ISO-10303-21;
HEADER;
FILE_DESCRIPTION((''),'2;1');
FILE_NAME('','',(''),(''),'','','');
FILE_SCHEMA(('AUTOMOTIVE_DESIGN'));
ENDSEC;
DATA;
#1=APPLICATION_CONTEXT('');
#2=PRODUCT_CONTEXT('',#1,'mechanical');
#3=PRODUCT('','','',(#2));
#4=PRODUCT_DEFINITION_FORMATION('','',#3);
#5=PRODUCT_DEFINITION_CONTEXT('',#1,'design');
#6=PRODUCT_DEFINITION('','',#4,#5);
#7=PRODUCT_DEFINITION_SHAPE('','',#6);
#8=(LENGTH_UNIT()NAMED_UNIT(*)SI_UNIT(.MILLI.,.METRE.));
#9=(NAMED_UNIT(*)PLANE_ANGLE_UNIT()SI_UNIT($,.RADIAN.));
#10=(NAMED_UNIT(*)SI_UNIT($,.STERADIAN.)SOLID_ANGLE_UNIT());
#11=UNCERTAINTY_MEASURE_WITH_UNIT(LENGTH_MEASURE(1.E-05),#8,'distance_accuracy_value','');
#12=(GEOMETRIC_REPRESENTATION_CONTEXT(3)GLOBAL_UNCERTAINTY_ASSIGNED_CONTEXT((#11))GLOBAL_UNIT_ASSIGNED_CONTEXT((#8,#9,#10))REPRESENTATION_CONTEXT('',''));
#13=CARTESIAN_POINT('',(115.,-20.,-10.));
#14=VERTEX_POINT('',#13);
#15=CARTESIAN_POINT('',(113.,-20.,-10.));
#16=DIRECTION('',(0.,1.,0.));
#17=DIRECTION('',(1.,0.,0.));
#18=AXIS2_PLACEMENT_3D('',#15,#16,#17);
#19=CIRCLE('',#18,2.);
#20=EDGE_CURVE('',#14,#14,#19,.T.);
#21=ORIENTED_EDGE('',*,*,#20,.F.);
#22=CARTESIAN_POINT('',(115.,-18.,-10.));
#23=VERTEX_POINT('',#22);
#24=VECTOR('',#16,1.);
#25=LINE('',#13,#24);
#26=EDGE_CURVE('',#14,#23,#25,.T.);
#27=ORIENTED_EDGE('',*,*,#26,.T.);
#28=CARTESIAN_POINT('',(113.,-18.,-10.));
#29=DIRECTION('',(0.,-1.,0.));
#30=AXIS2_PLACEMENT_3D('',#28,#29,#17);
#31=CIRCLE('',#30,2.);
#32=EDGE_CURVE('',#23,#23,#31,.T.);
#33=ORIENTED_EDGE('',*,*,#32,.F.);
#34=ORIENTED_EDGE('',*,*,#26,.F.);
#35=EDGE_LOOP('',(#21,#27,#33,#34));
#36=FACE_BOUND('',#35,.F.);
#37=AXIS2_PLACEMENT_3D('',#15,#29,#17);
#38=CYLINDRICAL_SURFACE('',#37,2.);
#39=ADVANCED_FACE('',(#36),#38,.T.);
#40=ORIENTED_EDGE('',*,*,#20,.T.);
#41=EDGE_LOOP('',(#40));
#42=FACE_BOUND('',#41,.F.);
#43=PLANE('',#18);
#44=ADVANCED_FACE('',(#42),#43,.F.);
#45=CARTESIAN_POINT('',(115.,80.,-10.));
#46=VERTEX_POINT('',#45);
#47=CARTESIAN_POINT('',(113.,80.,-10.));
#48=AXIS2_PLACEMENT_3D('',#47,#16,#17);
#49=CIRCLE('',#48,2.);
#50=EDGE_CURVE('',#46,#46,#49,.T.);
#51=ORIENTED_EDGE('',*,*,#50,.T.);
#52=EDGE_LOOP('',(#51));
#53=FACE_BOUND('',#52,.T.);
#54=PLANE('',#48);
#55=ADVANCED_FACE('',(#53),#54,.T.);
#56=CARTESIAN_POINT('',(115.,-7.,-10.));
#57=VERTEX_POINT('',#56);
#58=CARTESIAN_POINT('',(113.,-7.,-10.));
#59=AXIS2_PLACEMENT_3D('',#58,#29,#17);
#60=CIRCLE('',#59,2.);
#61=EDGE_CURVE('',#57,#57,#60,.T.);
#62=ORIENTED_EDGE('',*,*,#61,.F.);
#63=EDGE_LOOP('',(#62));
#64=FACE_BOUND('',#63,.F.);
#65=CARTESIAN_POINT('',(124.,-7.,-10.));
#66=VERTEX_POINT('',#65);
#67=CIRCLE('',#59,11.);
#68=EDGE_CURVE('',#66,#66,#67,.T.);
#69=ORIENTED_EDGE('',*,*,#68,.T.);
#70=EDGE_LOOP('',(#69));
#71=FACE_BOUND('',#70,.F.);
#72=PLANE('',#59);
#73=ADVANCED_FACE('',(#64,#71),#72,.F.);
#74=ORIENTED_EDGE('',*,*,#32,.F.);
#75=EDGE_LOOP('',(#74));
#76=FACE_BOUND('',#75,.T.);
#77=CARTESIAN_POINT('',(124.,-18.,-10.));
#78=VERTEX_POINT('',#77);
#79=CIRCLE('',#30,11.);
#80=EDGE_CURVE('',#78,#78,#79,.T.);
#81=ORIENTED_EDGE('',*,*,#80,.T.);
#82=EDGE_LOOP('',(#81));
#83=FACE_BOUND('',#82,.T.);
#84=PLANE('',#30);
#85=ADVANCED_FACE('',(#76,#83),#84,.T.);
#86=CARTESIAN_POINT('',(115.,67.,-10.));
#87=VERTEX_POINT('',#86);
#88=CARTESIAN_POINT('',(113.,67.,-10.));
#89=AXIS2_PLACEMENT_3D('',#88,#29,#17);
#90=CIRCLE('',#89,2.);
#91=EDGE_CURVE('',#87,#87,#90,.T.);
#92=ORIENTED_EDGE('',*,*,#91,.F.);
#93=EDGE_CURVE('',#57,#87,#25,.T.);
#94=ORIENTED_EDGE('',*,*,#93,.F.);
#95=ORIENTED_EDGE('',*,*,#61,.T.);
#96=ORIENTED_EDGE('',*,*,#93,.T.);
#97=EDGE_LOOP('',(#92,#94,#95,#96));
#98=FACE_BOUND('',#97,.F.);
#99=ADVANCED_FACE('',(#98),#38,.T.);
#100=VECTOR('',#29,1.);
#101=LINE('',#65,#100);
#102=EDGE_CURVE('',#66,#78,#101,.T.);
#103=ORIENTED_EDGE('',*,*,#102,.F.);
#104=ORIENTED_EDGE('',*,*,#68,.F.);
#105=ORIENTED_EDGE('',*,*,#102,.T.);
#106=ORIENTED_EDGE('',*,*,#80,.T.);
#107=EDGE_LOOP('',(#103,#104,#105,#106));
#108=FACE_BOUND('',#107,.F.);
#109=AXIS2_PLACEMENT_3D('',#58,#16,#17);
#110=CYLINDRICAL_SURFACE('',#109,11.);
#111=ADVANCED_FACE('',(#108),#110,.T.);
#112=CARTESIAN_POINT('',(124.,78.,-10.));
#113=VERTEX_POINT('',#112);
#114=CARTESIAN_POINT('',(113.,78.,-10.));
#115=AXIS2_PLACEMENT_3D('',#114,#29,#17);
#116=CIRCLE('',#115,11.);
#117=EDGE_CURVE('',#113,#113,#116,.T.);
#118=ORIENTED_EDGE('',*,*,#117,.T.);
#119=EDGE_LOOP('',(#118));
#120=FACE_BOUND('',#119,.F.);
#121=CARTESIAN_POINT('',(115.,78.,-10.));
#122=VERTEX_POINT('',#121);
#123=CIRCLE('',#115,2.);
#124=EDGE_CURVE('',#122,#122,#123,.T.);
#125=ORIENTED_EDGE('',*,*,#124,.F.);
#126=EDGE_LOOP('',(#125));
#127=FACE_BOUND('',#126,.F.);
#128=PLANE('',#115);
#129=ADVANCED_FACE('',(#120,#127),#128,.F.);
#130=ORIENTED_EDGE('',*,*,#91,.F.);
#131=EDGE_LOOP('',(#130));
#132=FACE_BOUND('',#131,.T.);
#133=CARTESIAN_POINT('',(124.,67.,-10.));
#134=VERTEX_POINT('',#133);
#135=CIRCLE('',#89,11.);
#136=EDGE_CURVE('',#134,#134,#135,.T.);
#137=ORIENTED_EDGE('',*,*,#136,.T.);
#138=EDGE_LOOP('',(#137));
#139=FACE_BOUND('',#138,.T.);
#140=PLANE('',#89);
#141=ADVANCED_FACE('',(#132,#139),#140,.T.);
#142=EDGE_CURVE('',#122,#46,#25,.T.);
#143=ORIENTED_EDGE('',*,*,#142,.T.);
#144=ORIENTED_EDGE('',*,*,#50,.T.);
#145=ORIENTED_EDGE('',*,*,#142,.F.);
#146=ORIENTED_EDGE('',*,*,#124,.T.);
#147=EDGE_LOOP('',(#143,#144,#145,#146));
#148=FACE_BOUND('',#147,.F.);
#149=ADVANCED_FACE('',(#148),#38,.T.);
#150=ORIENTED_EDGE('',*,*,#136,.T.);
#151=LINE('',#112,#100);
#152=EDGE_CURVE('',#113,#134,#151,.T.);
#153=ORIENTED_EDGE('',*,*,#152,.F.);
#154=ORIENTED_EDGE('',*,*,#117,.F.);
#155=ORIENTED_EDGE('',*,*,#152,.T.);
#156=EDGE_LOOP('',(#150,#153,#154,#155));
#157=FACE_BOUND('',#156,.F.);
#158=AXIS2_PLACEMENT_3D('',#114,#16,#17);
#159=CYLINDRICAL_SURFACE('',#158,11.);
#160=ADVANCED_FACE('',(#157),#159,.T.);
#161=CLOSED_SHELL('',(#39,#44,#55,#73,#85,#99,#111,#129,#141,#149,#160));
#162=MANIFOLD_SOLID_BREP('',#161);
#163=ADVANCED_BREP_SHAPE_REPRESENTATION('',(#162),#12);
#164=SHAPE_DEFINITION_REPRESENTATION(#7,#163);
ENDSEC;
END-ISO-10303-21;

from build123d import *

# Parameters (mm, degrees)
CYLINDER002001001002_R             = 11
CYLINDER002001001002_DEPTH         = 11
CYLINDER002001001002_ROLL_ANGLE    = 90
CYLINDER002001001002001_R          = 11
CYLINDER002001001002001_DEPTH      = 11
CYLINDER002001001002001_ROLL_ANGLE = 90
CYLINDER002001002001_R             = 2
CYLINDER002001002001_DEPTH         = 100
CYLINDER002001002001_ROLL_ANGLE    = -90


with BuildPart() as wheel006:
    # Cylinder002001001002 → Cylinder002001001002 (new body)
    with BuildSketch(Plane.XY):
        Circle(CYLINDER002001001002_R)
    extrude(amount=CYLINDER002001001002_DEPTH)


with BuildPart() as wheel006_1:
    # Cylinder002001001002 roll: moved
    add(wheel006.part.rotate(Axis((0, 0, 0), (1, 0, 0)), CYLINDER002001001002_ROLL_ANGLE))


with BuildPart() as wheel006_2:
    # Cylinder002001001002 placement: moved
    add(wheel006_1.part.moved(Location((20, 78, 14))))


with BuildPart() as wheel007:
    # Cylinder002001001002001 → Cylinder002001001002001 (new body)
    with BuildSketch(Plane.XY):
        Circle(CYLINDER002001001002001_R)
    extrude(amount=CYLINDER002001001002001_DEPTH)


with BuildPart() as wheel007_1:
    # Cylinder002001001002001 roll: moved
    add(wheel007.part.rotate(Axis((0, 0, 0), (1, 0, 0)), CYLINDER002001001002001_ROLL_ANGLE))


with BuildPart() as wheel007_2:
    # Cylinder002001001002001 placement: moved
    add(wheel007_1.part.moved(Location((20, -7, 14))))


with BuildPart() as swheelset3:
    # Cylinder002001002001 → Cylinder002001002001 (new body)
    with BuildSketch(Plane.XY):
        Circle(CYLINDER002001002001_R)
    extrude(amount=CYLINDER002001002001_DEPTH)


with BuildPart() as swheelset3_1:
    # Cylinder002001002001 roll: moved
    add(swheelset3.part.rotate(Axis((0, 0, 0), (1, 0, 0)), CYLINDER002001002001_ROLL_ANGLE))


with BuildPart() as swheelset3_2:
    # Cylinder002001002001 placement: moved
    add(swheelset3_1.part.moved(Location((20, -20, 14))))

    # Fusion002001002002002001001: union Wheel006, Wheel007
    add(wheel006_2.part)
    add(wheel007_2.part)


with BuildPart() as swheelset3_3:
    # Fusion002001002002002001001 placement: moved
    add(swheelset3_2.part.moved(Location((93, 0, -24))))


solid = swheelset3_3.part
